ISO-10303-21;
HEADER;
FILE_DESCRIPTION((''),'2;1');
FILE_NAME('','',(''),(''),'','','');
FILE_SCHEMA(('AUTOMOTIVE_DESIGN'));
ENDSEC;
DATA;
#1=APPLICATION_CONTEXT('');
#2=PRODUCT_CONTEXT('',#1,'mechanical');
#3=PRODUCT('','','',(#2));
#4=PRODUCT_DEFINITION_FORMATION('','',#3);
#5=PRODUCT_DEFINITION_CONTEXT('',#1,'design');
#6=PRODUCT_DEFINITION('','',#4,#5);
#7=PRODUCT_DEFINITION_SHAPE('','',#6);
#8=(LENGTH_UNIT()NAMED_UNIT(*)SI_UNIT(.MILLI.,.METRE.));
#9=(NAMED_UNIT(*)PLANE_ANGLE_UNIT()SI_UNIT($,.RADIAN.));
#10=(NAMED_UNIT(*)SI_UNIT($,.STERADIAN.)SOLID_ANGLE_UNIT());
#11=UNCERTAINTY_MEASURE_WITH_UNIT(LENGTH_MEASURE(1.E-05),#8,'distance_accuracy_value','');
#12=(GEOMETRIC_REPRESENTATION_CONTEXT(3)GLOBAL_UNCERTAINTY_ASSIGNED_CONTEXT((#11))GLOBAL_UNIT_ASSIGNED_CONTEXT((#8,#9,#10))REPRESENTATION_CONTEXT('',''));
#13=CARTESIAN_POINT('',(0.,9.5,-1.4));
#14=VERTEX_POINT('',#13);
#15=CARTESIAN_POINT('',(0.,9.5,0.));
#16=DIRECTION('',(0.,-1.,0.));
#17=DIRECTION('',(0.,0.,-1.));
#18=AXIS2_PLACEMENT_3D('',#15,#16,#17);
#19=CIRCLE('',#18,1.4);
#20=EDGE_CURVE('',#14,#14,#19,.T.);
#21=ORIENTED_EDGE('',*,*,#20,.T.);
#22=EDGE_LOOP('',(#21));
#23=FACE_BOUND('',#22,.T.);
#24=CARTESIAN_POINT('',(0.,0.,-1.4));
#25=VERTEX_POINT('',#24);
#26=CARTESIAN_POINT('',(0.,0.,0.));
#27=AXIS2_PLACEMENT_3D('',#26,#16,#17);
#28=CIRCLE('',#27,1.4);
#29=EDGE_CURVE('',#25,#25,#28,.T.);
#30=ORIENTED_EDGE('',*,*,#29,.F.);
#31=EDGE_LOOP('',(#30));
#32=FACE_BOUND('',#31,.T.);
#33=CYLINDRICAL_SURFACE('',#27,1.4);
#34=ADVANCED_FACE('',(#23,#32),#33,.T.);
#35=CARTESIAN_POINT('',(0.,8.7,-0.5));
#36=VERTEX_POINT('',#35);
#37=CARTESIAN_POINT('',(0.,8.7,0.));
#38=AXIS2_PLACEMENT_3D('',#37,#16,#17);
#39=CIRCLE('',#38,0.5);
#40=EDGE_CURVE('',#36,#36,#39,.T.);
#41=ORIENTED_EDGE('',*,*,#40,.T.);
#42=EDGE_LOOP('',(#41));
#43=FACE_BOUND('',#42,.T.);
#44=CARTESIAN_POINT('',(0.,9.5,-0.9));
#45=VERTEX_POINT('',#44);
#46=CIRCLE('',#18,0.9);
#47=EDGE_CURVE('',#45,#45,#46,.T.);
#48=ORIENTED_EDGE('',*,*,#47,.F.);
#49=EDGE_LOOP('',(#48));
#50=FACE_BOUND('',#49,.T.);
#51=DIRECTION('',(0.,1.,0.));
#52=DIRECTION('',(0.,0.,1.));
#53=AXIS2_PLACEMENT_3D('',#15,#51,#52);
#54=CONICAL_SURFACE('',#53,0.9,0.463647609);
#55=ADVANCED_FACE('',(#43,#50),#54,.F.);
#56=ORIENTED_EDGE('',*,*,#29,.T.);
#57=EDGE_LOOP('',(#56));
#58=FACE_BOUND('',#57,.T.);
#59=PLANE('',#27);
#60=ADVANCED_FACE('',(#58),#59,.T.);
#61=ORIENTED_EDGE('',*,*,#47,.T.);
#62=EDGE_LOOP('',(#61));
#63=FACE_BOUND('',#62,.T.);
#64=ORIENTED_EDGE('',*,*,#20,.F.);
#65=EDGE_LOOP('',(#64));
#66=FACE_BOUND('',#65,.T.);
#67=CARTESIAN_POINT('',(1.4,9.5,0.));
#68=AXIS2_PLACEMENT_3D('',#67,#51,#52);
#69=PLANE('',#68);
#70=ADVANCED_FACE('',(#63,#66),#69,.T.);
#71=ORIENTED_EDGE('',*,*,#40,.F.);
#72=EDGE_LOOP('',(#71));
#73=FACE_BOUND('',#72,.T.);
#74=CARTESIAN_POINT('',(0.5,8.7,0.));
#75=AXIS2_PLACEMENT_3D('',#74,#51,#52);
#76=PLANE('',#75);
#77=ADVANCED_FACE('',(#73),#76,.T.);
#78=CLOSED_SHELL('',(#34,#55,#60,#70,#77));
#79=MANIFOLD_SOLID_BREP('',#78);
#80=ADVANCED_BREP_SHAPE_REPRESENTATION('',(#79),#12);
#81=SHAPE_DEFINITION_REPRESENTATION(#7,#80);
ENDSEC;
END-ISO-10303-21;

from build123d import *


with BuildPart() as part:
    # Sketch1 → Revolve1 (revolve)
    with BuildSketch(Plane.XY):
        Polygon((0, 0), (1.4, 0), (1.4, 9.5), (0.9, 9.5), (0.5, 8.7), (0, 8.7), align=None)
    revolve(axis=Axis((0, 0, 0), (0, 1, 0)))


solid = part.part
